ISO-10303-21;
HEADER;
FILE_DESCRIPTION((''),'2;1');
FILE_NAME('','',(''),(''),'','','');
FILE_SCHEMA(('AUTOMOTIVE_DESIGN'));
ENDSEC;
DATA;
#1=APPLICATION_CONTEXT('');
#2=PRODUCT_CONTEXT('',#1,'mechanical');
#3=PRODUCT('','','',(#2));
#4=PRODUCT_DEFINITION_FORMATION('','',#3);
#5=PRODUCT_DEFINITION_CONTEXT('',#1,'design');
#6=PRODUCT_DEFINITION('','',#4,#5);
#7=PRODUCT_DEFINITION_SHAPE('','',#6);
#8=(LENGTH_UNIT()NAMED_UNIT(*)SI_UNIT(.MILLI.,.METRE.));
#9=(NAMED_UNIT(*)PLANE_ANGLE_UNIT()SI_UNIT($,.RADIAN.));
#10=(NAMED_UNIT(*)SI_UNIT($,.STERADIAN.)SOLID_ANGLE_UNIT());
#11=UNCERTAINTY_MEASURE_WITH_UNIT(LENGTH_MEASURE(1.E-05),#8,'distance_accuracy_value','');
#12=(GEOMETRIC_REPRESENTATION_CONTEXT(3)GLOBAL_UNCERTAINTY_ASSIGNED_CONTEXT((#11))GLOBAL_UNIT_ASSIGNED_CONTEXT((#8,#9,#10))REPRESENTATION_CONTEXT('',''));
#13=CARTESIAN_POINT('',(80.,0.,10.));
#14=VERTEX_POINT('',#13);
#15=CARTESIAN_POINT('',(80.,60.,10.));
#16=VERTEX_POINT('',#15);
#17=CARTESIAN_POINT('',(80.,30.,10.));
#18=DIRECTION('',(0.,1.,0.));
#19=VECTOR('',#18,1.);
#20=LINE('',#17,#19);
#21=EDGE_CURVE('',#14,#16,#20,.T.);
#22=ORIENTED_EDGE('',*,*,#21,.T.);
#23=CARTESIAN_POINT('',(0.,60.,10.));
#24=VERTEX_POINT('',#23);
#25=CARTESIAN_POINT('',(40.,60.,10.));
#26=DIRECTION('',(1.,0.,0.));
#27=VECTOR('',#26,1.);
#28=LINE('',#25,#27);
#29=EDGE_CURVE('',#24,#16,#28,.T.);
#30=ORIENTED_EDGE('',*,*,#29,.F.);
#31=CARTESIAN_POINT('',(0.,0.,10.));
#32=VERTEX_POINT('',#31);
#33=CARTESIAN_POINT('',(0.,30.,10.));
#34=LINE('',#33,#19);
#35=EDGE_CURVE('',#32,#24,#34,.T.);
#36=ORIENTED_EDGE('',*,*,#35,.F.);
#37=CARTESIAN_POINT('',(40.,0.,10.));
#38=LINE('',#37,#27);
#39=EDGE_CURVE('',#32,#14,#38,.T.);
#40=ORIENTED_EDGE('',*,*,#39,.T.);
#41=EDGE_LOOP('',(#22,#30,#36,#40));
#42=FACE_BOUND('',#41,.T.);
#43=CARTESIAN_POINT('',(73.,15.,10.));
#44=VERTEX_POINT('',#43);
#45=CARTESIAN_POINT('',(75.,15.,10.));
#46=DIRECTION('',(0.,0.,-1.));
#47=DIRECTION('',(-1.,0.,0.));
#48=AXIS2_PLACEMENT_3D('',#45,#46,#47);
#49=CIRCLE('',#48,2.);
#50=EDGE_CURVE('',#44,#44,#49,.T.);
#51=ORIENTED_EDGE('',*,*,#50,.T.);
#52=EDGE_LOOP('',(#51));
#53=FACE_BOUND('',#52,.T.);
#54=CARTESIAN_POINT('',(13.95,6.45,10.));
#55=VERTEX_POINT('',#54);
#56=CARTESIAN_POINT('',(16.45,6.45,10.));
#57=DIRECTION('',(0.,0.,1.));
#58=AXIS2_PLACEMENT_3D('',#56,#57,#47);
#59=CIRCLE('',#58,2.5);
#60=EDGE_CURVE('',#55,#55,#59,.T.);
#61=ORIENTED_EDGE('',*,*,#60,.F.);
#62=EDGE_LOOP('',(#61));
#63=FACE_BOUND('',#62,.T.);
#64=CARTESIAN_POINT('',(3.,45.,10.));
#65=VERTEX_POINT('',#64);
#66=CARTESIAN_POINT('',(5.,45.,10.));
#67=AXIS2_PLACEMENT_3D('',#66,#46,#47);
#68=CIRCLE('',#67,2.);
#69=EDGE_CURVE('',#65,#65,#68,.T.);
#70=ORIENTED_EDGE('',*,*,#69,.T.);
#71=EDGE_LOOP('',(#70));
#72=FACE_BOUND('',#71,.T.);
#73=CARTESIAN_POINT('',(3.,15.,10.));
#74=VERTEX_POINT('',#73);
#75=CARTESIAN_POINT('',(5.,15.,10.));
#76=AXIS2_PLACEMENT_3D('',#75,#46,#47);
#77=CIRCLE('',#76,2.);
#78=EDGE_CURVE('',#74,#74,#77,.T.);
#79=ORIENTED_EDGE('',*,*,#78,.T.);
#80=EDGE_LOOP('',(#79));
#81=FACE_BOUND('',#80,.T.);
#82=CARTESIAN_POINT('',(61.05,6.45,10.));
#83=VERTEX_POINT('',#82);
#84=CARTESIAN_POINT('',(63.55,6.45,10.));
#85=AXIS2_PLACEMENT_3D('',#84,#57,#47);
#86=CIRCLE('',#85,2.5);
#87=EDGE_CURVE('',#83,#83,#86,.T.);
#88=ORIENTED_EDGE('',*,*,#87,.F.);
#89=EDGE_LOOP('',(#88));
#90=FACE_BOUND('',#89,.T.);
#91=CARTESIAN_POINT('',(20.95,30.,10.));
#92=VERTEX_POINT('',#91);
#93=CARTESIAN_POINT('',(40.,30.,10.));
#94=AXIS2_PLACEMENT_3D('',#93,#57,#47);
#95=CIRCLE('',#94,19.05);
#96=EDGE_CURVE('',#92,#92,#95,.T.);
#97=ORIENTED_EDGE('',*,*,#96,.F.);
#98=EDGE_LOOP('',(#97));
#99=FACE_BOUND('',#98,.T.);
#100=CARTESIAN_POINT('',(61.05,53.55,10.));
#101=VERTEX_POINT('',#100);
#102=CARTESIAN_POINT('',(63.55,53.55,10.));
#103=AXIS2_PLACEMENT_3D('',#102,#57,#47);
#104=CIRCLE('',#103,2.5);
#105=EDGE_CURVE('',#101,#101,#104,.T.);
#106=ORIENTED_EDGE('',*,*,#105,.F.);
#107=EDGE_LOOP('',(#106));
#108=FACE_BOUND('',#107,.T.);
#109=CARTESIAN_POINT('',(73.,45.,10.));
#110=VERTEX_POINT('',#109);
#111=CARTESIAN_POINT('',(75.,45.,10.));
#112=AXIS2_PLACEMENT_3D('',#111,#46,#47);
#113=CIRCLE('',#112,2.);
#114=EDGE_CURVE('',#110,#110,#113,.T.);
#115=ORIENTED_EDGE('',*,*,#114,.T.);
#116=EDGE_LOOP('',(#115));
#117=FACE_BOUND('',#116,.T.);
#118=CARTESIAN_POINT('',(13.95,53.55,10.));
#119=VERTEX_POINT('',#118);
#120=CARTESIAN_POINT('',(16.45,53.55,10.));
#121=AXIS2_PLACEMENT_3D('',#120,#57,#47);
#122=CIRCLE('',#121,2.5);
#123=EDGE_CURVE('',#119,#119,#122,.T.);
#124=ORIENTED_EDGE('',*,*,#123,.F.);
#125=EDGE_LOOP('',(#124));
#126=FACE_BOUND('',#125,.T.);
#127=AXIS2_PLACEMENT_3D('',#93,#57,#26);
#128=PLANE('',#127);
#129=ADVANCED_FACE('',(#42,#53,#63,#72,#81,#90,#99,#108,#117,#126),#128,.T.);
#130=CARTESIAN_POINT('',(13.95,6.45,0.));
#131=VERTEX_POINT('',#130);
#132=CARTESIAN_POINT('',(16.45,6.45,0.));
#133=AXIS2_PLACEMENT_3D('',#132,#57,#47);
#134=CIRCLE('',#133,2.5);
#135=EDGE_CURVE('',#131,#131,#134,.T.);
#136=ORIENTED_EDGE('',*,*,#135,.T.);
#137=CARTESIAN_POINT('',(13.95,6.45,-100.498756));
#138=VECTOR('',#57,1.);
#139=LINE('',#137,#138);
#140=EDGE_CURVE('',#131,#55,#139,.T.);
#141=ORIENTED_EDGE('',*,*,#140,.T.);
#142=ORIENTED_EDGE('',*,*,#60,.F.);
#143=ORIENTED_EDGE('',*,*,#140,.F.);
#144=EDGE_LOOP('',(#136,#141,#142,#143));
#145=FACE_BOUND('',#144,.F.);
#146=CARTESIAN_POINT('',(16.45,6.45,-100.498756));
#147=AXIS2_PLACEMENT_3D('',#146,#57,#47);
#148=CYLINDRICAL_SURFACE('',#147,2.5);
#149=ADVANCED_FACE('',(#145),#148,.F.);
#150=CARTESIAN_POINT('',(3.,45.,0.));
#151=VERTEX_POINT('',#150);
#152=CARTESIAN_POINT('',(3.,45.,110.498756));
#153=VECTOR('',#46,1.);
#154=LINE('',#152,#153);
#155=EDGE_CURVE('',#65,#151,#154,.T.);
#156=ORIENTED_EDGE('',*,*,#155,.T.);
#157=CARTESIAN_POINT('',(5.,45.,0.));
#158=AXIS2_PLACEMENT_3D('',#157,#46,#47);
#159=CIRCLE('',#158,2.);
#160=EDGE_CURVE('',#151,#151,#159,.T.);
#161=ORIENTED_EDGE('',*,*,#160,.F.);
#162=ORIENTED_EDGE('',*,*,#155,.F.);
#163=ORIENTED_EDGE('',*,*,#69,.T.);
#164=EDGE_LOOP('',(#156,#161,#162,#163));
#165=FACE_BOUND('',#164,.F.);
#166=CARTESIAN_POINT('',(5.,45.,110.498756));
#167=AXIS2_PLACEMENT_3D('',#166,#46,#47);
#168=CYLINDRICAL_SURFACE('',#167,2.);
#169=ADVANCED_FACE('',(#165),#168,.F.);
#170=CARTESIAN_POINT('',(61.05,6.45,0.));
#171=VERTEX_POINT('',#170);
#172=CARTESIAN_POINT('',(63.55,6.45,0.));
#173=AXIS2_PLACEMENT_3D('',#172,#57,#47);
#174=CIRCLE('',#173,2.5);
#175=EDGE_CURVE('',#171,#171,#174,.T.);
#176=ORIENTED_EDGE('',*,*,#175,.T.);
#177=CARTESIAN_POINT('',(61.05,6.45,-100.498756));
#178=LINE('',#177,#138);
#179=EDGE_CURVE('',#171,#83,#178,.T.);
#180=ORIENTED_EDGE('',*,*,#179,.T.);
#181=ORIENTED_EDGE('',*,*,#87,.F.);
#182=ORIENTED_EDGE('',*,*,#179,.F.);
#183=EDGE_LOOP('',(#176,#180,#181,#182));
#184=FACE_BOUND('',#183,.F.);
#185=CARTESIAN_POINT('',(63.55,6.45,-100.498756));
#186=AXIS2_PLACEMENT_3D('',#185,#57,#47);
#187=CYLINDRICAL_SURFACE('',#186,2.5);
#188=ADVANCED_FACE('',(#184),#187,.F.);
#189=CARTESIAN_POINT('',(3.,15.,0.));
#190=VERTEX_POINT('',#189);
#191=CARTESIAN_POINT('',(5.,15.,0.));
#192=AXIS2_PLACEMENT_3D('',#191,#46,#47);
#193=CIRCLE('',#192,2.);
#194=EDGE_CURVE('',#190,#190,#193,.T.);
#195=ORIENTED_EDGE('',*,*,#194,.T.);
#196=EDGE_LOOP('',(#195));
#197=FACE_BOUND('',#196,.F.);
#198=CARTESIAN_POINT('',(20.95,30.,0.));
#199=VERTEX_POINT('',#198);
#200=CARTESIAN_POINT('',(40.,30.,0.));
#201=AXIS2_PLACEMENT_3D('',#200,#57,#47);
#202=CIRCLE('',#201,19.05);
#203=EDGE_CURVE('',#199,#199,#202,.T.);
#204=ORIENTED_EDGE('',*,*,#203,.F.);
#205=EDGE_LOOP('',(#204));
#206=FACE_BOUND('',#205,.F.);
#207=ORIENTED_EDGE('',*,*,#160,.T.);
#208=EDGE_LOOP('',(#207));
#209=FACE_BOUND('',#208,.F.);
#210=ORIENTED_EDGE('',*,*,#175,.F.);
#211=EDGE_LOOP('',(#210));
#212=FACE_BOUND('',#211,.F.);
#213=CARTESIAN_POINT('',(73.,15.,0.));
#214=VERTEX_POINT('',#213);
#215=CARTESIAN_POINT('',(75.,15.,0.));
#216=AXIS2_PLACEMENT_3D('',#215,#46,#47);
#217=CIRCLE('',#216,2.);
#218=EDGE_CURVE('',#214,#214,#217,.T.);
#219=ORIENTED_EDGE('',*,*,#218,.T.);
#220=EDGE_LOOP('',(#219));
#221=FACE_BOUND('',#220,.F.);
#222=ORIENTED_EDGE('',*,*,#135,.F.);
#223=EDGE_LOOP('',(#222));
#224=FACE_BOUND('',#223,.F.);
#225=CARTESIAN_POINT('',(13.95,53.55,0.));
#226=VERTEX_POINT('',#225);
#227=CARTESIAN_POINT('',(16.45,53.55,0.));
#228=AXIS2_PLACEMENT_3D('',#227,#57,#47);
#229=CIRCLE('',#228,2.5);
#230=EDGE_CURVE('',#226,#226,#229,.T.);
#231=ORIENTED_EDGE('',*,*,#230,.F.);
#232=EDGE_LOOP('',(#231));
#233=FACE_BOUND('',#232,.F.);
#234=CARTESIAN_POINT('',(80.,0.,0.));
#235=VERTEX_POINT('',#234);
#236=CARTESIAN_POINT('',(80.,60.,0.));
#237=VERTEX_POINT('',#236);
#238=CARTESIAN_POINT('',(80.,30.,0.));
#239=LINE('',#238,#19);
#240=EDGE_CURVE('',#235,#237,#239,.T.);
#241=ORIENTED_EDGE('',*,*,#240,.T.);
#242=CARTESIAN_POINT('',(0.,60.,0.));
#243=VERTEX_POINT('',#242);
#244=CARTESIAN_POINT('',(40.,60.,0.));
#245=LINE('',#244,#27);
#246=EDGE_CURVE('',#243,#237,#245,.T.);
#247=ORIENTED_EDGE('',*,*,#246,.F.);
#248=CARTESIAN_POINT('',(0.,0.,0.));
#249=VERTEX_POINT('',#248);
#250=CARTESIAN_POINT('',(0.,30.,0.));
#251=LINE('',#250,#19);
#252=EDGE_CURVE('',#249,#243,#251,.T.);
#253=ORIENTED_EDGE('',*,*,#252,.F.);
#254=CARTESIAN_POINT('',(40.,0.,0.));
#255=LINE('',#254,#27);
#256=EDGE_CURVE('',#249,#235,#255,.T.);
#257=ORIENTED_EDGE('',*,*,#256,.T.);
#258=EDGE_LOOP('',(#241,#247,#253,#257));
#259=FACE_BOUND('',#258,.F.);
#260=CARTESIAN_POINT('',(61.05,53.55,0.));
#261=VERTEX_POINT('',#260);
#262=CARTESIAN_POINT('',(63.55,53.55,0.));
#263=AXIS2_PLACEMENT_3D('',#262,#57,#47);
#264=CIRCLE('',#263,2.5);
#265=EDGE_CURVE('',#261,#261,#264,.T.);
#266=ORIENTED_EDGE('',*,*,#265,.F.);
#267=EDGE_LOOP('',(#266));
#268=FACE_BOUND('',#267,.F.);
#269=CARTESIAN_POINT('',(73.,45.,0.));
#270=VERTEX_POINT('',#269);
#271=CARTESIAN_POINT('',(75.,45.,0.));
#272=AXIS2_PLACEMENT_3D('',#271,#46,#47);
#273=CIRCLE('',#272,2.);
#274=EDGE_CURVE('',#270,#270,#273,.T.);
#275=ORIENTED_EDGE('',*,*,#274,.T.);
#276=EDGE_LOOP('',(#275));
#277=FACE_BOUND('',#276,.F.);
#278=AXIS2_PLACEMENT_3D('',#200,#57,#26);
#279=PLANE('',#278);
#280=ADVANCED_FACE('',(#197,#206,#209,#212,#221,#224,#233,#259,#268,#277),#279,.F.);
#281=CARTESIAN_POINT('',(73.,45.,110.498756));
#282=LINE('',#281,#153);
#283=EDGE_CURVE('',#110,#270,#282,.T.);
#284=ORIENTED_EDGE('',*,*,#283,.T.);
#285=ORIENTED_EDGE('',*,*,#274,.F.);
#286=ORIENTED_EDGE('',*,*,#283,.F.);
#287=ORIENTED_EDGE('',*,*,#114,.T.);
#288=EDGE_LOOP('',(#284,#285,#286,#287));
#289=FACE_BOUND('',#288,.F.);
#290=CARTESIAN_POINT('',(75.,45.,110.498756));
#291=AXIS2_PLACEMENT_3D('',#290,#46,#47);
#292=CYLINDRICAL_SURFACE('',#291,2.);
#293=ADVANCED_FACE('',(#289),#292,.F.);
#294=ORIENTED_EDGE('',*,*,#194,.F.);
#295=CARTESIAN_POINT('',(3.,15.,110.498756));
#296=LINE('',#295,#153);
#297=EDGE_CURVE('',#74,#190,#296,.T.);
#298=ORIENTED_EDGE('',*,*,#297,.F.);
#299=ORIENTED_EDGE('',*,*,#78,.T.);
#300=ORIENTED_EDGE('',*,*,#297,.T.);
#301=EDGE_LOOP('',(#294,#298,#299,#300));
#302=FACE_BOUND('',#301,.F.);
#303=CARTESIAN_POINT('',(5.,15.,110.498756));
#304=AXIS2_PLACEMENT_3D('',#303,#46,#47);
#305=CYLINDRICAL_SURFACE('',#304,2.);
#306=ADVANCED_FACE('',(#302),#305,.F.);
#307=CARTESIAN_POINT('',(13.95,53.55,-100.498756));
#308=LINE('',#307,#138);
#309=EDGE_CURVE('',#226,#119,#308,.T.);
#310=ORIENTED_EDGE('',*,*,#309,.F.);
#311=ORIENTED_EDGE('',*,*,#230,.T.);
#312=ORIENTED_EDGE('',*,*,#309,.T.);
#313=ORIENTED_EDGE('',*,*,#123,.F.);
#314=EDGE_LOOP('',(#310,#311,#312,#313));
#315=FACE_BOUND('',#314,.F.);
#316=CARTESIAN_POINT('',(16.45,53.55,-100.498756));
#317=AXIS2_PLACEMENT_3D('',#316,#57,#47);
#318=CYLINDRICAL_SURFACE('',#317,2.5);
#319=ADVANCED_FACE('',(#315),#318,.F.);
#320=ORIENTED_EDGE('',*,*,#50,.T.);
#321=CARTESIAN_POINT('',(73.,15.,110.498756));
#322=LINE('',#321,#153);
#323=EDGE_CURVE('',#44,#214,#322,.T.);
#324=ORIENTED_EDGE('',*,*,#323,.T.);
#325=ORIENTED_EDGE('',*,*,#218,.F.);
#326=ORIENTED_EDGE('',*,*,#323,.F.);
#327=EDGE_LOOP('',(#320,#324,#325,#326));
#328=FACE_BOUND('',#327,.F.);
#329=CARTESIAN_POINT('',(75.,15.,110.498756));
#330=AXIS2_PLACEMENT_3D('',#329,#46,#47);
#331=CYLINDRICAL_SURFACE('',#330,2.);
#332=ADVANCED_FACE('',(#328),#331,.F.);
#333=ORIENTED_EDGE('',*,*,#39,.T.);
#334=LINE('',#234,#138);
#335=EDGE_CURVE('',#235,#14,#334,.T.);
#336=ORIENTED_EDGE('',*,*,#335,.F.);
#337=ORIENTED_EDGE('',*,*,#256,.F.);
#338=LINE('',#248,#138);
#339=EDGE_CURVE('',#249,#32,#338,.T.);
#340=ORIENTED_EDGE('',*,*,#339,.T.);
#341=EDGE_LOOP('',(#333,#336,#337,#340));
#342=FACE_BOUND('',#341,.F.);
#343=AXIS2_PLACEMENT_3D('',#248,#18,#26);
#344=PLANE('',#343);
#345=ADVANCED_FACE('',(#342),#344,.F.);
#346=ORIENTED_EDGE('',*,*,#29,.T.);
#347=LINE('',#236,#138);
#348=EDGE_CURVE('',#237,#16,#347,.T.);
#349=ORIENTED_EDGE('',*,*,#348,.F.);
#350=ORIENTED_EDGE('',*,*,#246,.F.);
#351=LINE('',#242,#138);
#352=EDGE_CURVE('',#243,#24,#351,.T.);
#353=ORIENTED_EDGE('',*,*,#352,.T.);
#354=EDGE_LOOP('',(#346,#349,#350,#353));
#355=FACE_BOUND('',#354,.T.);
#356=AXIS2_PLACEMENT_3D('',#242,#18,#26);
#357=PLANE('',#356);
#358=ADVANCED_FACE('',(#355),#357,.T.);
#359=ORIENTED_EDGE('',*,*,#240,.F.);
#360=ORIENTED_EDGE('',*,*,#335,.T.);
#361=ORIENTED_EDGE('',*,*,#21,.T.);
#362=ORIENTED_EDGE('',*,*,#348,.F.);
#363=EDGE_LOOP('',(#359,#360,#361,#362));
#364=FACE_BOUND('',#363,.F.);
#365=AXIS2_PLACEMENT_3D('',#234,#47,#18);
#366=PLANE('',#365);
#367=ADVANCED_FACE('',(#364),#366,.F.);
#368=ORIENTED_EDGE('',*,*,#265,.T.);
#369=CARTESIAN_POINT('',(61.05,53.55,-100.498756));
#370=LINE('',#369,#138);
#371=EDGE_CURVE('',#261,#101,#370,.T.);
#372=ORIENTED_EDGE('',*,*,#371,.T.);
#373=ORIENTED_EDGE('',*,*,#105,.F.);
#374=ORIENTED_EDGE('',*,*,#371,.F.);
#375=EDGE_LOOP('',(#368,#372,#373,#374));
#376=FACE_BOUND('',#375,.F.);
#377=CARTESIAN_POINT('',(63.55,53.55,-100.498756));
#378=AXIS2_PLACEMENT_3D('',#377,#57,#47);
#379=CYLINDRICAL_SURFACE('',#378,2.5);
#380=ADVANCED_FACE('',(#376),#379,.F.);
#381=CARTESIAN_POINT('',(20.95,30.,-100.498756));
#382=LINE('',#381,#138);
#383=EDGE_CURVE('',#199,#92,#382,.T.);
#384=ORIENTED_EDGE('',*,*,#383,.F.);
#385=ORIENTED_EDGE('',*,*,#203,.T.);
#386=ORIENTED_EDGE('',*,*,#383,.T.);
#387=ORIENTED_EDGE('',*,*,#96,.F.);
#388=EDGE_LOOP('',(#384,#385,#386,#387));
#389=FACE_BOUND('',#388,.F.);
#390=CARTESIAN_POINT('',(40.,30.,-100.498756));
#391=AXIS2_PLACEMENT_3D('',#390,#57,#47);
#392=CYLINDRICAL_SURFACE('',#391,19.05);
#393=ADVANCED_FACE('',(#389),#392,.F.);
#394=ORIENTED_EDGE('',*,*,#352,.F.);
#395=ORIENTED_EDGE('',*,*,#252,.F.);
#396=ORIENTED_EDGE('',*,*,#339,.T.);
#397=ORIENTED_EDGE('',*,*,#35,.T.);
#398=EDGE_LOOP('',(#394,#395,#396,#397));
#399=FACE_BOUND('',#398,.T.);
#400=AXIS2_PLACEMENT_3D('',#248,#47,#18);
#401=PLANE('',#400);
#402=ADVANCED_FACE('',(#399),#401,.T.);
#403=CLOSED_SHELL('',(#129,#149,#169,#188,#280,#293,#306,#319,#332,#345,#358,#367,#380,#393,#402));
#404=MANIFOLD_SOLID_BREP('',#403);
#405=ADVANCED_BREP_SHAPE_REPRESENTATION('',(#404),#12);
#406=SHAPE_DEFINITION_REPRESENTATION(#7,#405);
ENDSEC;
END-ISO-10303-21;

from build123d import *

# Parameters (mm, degrees)
F0_W     = 80
F0_H     = 60
F1_DEPTH = 10
F3_D     = 38.1
F5_D     = 5
F7_D     = 4


with BuildPart() as f1:
    # F0 (on Top) → F1 (new body)
    with BuildSketch(Plane.XY):
        with Locations((40, 30)):
            Rectangle(F0_W, F0_H)
    extrude(amount=F1_DEPTH)

    # F3 (through all)
    with Locations(Plane(origin=(0, 0, 0), x_dir=(1, 0, 0), z_dir=(0, 0, -1))):
        with Locations((40, -30)):
            Hole(F3_D / 2)

    # F5 (through all)
    with Locations(Plane(origin=(0, 0, 0), x_dir=(1, 0, 0), z_dir=(0, 0, -1))):
        with Locations((16.45, -6.45), (63.55, -6.45), (63.55, -53.55), (16.45, -53.55)):
            Hole(F5_D / 2)

    # F7 (through all)
    with Locations(Plane.XY.offset(10)):
        with Locations((5, 45), (75, 45), (75, 15), (5, 15)):
            Hole(F7_D / 2)


solid = f1.part
